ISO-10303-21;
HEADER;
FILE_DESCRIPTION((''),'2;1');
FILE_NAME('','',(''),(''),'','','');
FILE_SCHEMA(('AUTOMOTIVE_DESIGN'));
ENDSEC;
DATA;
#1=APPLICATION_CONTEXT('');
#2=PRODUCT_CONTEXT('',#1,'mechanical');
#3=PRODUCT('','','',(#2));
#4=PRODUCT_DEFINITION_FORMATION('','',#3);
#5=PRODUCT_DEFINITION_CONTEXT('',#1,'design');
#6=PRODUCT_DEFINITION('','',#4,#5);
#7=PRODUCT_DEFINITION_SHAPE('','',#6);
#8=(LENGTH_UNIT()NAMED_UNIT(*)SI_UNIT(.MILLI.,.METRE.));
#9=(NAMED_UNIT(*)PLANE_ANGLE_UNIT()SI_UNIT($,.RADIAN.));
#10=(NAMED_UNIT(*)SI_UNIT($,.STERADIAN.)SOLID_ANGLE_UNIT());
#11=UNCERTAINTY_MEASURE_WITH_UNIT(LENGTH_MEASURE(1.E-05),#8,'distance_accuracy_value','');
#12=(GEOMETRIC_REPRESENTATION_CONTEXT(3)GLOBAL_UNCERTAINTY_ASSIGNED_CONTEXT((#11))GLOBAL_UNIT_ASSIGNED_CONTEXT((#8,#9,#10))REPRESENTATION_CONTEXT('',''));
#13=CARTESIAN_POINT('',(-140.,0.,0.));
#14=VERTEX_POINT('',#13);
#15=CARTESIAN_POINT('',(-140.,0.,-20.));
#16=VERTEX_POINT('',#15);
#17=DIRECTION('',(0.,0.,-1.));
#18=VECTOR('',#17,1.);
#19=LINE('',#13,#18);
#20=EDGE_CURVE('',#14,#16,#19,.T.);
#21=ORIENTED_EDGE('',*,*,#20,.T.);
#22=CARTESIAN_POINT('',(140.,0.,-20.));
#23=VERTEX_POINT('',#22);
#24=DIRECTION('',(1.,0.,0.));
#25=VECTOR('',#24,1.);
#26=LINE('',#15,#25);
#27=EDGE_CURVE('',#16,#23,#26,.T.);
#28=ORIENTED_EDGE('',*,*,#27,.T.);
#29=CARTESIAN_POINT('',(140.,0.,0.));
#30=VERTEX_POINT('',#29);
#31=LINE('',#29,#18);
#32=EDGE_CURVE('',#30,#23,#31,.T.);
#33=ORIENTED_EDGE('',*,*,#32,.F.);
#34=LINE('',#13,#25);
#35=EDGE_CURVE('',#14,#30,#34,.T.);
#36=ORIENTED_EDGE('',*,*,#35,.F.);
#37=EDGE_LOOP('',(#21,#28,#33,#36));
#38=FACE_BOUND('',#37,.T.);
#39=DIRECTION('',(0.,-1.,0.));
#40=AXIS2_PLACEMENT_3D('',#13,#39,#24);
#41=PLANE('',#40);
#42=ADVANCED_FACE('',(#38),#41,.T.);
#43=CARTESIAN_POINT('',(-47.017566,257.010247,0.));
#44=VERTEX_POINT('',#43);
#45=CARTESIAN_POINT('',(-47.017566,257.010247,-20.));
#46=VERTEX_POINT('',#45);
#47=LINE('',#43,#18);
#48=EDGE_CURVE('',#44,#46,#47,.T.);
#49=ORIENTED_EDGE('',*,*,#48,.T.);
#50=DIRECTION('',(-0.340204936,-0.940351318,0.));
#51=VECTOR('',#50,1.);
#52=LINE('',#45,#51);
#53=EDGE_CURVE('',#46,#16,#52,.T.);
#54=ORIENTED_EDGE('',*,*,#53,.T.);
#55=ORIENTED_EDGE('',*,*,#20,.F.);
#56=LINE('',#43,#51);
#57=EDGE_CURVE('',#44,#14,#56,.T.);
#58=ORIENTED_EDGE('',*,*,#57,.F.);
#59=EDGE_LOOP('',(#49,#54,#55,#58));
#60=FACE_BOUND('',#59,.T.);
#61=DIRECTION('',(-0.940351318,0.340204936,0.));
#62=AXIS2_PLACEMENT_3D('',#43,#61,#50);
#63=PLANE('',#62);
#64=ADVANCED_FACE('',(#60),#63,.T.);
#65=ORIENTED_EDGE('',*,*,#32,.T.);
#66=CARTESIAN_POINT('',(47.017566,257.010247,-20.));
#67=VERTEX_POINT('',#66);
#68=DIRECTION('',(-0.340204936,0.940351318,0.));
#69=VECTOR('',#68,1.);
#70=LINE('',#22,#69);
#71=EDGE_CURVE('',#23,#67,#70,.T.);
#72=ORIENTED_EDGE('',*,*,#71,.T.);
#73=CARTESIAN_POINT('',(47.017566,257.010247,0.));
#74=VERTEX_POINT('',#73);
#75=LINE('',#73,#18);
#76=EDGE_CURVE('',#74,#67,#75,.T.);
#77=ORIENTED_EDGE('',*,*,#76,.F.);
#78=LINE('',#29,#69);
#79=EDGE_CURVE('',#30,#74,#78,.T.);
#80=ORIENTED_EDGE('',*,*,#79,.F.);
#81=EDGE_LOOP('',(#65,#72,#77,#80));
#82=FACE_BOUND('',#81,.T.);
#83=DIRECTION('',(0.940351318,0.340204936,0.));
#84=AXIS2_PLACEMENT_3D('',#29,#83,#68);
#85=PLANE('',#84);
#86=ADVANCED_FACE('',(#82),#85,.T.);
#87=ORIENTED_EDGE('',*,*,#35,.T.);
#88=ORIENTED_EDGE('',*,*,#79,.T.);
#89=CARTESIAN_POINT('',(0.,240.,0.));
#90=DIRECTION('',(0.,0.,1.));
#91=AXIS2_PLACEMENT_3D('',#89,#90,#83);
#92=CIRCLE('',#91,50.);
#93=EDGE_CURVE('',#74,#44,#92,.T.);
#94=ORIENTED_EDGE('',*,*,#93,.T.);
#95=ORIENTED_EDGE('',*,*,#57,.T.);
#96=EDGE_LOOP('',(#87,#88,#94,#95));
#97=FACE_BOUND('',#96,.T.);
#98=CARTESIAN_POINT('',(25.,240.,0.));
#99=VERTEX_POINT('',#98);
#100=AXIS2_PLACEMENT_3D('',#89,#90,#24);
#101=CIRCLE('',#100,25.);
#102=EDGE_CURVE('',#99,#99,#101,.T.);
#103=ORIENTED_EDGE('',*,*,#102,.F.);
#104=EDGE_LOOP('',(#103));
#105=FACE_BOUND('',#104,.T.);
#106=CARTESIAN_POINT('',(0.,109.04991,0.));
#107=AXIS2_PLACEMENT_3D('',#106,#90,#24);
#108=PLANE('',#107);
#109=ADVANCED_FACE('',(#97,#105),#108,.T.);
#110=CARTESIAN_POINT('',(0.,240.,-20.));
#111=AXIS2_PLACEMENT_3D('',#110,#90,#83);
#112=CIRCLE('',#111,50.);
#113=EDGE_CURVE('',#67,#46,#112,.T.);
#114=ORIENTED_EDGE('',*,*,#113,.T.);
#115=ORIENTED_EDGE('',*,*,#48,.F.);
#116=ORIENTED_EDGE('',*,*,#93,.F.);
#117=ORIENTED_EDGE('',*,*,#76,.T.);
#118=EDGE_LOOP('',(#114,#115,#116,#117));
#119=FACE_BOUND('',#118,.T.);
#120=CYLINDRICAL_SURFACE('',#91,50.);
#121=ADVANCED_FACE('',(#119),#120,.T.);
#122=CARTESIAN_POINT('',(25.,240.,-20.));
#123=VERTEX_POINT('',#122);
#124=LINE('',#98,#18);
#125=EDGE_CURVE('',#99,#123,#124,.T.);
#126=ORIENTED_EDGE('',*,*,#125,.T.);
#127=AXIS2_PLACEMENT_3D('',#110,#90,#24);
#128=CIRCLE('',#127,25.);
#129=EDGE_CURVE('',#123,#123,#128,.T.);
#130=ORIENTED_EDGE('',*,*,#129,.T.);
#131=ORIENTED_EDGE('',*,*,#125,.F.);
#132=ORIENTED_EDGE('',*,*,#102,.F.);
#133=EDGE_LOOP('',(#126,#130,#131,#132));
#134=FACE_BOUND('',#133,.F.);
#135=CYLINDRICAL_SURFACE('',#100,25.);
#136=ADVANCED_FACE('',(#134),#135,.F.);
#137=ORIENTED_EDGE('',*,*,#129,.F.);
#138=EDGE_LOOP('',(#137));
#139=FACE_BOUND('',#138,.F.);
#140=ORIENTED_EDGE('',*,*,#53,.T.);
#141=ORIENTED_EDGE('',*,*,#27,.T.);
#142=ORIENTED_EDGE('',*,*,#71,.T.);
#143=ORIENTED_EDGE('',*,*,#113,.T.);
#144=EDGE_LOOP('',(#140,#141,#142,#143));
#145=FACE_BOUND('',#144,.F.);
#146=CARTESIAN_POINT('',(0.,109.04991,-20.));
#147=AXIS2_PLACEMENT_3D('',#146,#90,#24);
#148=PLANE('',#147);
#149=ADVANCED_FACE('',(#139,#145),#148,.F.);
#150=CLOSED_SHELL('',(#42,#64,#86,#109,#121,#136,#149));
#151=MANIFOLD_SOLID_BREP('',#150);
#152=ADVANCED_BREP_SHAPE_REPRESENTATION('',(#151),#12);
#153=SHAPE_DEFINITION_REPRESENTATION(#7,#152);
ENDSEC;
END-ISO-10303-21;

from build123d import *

# Parameters (mm, degrees)
SKETCH1_R           = 25
BOSS_EXTRUDE1_DEPTH = 20


with BuildPart() as part:
    # Sketch1 → Boss-Extrude1 (new body)
    with BuildSketch(Plane.XY):
        with BuildLine():
            Line((-140, 0), (140, 0))
            Line((140, 0), (47.017565913, 257.010246783))
            ThreePointArc((47.017565913, 257.010246783), (0, 290), (-47.017565913, 257.010246783))
            Line((-47.017565913, 257.010246783), (-140, 0))
        make_face()
        with Locations((0, 240)):
            Circle(SKETCH1_R, mode=Mode.SUBTRACT)
    extrude(amount=-BOSS_EXTRUDE1_DEPTH)


solid = part.part
